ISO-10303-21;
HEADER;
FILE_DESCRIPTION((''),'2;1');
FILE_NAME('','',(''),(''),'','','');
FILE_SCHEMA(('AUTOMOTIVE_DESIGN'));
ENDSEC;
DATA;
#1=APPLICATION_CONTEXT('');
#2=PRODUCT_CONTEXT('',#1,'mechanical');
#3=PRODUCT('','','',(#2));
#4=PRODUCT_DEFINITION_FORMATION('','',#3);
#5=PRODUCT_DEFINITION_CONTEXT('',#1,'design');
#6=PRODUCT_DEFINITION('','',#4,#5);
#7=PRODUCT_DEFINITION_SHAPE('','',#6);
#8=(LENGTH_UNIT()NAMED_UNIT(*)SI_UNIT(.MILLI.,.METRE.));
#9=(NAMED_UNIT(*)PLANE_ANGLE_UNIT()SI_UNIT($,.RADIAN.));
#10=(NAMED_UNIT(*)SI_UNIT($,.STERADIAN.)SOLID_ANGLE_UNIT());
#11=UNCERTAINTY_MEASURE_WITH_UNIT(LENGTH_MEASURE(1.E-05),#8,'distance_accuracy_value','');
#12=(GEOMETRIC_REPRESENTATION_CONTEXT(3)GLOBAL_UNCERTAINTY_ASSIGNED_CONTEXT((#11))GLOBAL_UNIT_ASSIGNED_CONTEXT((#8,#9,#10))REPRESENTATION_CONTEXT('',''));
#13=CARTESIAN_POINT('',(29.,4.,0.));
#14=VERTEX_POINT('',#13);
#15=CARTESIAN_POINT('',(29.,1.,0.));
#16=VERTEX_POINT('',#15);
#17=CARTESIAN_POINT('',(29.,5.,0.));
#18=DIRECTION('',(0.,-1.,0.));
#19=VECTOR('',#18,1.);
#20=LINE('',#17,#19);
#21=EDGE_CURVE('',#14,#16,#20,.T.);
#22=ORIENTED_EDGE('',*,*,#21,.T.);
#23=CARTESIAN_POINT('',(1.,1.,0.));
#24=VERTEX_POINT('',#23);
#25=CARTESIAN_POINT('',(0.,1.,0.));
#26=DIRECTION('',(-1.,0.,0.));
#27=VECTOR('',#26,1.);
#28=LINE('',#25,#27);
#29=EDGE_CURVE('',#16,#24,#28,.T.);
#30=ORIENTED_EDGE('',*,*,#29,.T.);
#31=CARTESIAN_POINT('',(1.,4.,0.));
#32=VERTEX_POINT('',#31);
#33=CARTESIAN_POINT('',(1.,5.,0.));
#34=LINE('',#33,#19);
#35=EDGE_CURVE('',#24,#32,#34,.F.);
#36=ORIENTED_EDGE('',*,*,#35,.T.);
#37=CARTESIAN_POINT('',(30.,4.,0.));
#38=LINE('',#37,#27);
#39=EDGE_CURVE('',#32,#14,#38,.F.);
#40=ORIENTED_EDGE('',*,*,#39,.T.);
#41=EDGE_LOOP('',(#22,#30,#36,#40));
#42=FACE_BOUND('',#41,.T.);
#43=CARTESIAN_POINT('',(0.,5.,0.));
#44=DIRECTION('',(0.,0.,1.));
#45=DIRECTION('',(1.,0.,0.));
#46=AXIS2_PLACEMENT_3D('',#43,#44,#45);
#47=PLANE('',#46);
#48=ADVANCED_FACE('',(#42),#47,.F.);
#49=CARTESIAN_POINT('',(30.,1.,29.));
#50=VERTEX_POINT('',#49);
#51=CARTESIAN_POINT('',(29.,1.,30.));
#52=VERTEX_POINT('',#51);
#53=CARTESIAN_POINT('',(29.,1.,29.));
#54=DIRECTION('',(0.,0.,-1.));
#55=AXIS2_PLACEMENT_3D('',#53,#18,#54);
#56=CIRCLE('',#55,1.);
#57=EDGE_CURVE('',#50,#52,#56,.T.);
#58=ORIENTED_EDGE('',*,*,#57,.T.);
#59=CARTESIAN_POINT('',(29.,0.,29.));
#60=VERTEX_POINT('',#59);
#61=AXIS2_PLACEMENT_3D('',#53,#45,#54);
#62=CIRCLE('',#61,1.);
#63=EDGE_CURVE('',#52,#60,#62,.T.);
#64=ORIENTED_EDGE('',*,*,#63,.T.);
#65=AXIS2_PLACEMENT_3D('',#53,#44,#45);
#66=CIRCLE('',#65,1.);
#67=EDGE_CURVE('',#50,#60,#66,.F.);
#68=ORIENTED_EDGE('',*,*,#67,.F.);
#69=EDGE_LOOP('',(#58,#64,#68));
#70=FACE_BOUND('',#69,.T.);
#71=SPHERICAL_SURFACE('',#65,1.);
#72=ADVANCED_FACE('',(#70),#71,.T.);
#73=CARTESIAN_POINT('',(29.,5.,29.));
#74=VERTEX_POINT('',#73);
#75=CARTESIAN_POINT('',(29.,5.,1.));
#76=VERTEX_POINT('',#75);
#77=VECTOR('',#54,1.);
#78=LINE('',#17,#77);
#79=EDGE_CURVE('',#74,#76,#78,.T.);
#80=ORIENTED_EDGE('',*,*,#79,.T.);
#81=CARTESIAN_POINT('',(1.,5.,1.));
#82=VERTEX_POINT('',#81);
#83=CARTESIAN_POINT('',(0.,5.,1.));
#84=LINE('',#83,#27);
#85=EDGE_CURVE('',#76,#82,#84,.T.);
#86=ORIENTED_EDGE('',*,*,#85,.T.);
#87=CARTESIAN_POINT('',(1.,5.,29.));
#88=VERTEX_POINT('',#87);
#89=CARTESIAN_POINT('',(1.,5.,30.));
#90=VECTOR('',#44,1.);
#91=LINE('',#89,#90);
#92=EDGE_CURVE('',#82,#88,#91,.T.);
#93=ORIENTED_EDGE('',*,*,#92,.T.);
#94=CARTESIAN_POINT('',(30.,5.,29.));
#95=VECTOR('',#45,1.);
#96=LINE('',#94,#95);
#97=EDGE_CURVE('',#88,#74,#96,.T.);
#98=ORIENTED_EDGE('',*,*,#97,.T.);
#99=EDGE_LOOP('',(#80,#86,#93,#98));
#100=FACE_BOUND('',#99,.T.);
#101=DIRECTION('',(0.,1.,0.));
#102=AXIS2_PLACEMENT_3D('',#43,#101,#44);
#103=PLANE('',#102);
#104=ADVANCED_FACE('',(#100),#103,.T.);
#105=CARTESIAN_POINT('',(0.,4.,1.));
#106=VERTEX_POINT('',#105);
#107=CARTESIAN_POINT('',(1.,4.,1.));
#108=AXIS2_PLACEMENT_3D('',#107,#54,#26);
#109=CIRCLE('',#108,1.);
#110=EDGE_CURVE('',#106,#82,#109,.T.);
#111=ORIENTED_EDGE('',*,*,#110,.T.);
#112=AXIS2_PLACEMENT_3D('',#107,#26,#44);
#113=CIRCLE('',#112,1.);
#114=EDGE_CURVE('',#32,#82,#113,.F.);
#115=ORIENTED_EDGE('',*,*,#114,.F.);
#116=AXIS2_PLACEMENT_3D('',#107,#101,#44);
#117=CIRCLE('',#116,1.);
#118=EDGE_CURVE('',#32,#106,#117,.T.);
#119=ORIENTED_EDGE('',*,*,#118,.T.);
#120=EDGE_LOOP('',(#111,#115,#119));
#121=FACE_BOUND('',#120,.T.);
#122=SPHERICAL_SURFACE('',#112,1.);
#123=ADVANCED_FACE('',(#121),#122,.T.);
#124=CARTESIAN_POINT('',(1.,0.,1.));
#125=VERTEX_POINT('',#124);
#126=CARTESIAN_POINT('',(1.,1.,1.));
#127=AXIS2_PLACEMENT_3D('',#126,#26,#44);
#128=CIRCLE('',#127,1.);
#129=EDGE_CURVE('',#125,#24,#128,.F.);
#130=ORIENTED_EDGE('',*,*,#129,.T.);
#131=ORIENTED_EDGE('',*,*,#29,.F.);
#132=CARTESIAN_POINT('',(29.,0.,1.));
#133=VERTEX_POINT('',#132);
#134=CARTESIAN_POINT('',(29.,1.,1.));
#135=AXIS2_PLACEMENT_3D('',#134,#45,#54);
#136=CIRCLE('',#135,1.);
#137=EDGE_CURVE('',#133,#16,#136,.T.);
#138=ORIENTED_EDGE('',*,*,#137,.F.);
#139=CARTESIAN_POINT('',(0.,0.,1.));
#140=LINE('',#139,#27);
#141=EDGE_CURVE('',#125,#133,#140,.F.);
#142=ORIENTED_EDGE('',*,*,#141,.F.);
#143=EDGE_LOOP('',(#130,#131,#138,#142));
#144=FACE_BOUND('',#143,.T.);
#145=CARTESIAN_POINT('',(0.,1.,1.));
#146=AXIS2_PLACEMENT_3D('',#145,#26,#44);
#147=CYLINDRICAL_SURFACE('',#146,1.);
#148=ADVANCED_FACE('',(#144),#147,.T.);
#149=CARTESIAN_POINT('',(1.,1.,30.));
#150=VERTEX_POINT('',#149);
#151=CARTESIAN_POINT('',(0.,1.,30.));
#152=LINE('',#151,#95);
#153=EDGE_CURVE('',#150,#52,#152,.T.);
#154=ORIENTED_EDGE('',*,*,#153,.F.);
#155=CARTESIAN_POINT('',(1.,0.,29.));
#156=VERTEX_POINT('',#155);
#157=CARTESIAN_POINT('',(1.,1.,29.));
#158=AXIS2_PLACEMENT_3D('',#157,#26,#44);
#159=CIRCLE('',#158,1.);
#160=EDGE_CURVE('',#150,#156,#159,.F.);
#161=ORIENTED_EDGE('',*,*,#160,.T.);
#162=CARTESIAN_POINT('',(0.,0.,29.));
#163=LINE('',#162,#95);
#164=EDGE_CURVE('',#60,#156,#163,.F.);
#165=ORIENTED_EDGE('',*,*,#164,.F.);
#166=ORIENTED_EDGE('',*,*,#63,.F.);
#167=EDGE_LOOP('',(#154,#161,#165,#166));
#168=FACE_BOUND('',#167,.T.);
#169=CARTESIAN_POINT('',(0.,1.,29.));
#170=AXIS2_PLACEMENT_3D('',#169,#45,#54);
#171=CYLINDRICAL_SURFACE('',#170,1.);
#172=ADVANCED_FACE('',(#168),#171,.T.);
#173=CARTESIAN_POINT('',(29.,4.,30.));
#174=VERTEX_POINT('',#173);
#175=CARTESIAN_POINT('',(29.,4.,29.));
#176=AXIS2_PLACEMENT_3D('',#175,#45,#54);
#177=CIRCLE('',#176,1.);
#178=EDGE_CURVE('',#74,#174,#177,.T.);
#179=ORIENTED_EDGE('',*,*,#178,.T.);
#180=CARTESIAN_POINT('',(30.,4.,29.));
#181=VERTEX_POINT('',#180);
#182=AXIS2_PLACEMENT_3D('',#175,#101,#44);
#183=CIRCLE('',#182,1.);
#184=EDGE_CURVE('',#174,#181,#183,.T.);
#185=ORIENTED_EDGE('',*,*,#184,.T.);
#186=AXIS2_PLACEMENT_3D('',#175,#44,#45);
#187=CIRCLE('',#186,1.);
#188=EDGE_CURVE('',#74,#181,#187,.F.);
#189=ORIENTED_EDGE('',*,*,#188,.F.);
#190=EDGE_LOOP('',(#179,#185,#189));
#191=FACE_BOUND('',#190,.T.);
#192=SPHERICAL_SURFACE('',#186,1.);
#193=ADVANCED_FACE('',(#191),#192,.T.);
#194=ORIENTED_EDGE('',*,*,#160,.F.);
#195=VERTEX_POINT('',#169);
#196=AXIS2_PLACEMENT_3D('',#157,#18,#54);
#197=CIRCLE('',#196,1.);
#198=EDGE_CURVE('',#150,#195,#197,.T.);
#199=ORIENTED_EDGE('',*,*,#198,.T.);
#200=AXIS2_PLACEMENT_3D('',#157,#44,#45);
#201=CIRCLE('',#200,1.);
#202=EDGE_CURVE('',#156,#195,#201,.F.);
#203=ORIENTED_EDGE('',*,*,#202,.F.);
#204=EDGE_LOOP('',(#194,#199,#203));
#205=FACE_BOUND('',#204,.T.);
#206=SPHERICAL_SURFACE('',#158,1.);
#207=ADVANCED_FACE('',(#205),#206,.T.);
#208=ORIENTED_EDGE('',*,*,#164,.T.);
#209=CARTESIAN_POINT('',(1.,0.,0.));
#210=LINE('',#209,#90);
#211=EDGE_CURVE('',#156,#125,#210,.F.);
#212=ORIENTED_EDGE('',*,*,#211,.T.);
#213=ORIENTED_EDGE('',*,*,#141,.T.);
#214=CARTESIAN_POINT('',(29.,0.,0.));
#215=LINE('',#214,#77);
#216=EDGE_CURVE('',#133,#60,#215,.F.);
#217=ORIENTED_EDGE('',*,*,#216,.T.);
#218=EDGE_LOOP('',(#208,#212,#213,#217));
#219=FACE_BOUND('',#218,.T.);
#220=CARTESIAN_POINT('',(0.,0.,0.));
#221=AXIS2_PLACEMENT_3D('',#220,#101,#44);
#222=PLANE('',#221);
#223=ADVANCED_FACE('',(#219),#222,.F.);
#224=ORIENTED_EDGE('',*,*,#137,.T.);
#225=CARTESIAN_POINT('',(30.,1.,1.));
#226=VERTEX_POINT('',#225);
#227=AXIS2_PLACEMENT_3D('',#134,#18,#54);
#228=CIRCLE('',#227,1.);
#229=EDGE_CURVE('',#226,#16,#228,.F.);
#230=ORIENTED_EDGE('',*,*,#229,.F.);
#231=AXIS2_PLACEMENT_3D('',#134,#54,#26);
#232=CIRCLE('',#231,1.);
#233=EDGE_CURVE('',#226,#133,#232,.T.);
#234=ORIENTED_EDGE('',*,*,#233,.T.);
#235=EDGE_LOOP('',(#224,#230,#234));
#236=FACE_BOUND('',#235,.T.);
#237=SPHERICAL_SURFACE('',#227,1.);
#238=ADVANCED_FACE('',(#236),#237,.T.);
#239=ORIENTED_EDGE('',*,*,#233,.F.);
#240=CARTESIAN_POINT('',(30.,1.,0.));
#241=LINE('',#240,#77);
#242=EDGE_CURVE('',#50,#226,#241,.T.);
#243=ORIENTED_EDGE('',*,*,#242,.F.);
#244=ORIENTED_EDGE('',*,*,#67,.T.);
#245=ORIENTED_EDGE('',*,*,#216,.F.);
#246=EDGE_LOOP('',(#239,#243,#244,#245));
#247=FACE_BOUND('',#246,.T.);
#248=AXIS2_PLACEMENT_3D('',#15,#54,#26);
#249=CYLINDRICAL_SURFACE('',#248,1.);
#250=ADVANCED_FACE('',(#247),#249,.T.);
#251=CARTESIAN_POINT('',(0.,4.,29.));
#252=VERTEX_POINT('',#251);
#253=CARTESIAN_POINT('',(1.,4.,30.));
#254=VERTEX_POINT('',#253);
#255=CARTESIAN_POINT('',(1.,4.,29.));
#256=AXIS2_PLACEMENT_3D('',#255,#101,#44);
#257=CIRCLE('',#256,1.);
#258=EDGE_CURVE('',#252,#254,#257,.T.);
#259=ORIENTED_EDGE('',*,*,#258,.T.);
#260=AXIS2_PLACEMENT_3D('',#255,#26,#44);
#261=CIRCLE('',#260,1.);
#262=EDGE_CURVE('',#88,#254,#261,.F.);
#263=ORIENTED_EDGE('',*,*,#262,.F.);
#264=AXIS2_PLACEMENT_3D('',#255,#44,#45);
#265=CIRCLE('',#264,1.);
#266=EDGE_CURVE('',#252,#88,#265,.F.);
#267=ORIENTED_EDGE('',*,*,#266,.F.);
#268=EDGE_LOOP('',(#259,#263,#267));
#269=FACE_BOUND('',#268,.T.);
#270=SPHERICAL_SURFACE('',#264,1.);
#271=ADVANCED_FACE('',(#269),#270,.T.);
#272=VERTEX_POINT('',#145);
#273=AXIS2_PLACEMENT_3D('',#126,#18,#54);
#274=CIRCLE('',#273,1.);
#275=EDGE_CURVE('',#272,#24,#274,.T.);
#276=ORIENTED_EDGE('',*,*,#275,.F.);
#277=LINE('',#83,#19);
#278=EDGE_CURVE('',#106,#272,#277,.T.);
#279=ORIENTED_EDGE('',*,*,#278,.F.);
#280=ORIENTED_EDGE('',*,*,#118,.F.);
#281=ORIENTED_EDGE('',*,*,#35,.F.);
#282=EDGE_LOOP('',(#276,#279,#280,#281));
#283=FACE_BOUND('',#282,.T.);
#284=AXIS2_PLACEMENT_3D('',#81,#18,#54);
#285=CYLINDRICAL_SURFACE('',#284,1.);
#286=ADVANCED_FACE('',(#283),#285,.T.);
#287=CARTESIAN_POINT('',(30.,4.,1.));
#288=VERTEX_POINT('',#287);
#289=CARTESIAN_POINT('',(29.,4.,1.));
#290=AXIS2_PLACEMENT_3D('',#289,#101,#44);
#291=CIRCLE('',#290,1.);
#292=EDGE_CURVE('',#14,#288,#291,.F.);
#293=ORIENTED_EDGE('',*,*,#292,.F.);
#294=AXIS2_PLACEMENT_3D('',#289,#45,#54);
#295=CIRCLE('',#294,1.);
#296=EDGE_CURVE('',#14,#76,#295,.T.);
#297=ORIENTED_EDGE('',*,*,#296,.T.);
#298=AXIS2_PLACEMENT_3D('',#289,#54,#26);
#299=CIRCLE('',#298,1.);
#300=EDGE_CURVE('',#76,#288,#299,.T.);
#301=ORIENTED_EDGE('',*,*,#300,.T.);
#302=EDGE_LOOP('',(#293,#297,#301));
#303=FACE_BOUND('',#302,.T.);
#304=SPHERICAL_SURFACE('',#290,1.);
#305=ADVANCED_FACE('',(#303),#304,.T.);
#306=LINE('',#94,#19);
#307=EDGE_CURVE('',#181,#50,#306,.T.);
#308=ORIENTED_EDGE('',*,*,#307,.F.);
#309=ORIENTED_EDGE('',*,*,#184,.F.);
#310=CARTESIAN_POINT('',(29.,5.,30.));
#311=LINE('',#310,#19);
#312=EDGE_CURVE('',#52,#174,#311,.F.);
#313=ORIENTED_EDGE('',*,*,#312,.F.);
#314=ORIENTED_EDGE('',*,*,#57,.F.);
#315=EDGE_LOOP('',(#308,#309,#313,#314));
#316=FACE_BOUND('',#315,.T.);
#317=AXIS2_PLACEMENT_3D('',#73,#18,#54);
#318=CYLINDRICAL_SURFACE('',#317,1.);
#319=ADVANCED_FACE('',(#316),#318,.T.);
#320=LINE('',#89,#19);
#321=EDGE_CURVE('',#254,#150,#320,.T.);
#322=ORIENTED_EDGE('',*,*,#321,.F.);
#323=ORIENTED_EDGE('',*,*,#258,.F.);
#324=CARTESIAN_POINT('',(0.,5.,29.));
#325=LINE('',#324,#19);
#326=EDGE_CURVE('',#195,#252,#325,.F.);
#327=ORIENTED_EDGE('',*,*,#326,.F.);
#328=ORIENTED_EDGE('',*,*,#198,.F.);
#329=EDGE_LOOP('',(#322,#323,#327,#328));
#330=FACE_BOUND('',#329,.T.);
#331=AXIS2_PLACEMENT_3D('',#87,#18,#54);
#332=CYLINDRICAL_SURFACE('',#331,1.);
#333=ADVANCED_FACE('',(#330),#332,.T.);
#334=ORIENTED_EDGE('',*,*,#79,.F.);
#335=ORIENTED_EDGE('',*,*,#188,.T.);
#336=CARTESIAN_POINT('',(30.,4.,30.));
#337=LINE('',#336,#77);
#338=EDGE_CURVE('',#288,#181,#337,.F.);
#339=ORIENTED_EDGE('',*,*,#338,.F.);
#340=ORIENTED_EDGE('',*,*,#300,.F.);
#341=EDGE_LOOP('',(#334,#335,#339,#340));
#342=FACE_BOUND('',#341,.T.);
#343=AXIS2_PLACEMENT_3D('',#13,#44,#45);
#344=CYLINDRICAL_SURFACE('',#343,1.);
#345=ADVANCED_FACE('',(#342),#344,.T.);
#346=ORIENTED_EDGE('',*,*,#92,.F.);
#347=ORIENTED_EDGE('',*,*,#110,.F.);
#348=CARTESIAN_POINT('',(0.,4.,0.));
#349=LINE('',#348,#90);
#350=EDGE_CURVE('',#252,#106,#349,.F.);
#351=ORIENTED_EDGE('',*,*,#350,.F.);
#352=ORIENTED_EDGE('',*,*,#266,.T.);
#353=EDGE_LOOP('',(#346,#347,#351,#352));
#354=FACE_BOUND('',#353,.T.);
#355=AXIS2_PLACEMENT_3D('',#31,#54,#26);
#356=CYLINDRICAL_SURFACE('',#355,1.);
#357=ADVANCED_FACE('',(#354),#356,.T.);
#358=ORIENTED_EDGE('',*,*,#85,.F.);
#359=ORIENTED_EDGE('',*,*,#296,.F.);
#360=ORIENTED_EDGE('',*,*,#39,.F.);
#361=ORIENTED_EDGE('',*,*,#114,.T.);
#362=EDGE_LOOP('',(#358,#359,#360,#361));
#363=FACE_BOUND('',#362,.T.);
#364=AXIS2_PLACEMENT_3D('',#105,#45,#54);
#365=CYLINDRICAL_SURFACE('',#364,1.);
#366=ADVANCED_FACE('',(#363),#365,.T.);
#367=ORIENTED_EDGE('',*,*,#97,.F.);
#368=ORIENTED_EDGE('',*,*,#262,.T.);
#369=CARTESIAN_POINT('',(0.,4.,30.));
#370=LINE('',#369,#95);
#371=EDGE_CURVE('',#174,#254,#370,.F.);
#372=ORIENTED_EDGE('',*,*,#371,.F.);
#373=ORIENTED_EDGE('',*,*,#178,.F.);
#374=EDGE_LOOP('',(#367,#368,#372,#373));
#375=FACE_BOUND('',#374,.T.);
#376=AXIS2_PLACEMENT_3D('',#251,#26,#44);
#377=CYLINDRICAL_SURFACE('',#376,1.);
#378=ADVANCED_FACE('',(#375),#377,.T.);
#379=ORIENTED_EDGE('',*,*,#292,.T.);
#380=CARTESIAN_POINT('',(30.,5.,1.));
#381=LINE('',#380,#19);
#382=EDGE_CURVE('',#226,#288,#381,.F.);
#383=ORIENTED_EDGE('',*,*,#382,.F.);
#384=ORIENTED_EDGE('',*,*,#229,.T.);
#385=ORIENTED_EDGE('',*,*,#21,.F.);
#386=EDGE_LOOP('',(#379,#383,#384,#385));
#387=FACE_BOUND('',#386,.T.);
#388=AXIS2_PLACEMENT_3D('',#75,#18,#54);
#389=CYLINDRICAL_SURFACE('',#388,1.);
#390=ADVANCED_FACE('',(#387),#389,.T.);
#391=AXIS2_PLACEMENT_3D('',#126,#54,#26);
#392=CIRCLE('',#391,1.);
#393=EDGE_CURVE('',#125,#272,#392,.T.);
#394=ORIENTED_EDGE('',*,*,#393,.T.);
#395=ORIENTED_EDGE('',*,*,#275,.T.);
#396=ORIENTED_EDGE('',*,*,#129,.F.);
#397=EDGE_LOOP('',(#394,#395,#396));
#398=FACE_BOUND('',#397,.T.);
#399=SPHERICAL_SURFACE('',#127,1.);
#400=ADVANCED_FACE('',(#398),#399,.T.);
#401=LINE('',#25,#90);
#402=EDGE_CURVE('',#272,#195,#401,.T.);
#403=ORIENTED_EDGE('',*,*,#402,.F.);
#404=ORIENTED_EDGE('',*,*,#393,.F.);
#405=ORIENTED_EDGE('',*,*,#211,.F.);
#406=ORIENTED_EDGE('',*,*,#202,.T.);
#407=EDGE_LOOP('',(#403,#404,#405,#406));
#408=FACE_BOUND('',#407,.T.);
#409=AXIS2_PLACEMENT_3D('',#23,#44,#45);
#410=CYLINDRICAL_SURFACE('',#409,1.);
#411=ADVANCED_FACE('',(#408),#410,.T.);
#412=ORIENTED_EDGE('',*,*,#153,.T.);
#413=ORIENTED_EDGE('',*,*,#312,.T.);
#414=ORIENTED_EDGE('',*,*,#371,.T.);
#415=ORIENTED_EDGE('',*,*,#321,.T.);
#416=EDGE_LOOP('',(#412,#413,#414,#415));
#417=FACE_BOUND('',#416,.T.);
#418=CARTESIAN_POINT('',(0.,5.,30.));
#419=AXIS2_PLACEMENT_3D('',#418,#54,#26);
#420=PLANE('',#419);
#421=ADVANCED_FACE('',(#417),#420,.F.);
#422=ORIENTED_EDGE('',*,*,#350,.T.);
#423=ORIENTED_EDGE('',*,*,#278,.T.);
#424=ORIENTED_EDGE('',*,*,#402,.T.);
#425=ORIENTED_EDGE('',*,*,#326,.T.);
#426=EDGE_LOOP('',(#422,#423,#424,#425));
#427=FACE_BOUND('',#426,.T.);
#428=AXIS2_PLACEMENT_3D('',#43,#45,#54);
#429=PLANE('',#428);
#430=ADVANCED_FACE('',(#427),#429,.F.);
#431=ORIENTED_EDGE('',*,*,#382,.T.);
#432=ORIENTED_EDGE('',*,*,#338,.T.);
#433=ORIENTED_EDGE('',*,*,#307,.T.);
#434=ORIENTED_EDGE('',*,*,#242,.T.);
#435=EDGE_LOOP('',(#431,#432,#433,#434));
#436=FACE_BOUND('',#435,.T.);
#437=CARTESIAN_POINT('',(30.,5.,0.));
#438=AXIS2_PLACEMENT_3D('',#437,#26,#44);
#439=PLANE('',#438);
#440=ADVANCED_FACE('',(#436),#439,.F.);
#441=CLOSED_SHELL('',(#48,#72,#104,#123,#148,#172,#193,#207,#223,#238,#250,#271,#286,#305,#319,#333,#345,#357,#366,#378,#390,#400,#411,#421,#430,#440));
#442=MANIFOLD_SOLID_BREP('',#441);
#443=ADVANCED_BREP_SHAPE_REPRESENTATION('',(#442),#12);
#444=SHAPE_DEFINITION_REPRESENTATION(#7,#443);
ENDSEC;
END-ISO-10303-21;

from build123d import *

# Parameters (mm, degrees)
SKETCH1_W           = 30
SKETCH1_H           = 30
BOSS_EXTRUDE1_DEPTH = 5
FILLET1_R           = 1


with BuildPart() as part:
    # Sketch1 → Boss-Extrude1 (new body)
    with BuildSketch(Plane(origin=(0, 0, 0), x_dir=(1, 0, 0), z_dir=(0, 1, 0))):
        with Locations((15, -15)):
            Rectangle(SKETCH1_W, SKETCH1_H)
    extrude(amount=BOSS_EXTRUDE1_DEPTH)

    # Fillet1
    fillet1_edges = [part.edges().sort_by_distance(p)[0] for p in [
        (30, 5, 15),
        (15, 5, 0),
        (0, 5, 15),
        (15, 0, 0),
        (30, 0, 15),
        (15, 0, 30),
        (0, 0, 15),
        (0, 2.5, 0),
        (30, 2.5, 0),
        (30, 2.5, 30),
        (0, 2.5, 30),
        (15, 5, 30),
    ]]
    fillet(fillet1_edges, radius=FILLET1_R)


solid = part.part
